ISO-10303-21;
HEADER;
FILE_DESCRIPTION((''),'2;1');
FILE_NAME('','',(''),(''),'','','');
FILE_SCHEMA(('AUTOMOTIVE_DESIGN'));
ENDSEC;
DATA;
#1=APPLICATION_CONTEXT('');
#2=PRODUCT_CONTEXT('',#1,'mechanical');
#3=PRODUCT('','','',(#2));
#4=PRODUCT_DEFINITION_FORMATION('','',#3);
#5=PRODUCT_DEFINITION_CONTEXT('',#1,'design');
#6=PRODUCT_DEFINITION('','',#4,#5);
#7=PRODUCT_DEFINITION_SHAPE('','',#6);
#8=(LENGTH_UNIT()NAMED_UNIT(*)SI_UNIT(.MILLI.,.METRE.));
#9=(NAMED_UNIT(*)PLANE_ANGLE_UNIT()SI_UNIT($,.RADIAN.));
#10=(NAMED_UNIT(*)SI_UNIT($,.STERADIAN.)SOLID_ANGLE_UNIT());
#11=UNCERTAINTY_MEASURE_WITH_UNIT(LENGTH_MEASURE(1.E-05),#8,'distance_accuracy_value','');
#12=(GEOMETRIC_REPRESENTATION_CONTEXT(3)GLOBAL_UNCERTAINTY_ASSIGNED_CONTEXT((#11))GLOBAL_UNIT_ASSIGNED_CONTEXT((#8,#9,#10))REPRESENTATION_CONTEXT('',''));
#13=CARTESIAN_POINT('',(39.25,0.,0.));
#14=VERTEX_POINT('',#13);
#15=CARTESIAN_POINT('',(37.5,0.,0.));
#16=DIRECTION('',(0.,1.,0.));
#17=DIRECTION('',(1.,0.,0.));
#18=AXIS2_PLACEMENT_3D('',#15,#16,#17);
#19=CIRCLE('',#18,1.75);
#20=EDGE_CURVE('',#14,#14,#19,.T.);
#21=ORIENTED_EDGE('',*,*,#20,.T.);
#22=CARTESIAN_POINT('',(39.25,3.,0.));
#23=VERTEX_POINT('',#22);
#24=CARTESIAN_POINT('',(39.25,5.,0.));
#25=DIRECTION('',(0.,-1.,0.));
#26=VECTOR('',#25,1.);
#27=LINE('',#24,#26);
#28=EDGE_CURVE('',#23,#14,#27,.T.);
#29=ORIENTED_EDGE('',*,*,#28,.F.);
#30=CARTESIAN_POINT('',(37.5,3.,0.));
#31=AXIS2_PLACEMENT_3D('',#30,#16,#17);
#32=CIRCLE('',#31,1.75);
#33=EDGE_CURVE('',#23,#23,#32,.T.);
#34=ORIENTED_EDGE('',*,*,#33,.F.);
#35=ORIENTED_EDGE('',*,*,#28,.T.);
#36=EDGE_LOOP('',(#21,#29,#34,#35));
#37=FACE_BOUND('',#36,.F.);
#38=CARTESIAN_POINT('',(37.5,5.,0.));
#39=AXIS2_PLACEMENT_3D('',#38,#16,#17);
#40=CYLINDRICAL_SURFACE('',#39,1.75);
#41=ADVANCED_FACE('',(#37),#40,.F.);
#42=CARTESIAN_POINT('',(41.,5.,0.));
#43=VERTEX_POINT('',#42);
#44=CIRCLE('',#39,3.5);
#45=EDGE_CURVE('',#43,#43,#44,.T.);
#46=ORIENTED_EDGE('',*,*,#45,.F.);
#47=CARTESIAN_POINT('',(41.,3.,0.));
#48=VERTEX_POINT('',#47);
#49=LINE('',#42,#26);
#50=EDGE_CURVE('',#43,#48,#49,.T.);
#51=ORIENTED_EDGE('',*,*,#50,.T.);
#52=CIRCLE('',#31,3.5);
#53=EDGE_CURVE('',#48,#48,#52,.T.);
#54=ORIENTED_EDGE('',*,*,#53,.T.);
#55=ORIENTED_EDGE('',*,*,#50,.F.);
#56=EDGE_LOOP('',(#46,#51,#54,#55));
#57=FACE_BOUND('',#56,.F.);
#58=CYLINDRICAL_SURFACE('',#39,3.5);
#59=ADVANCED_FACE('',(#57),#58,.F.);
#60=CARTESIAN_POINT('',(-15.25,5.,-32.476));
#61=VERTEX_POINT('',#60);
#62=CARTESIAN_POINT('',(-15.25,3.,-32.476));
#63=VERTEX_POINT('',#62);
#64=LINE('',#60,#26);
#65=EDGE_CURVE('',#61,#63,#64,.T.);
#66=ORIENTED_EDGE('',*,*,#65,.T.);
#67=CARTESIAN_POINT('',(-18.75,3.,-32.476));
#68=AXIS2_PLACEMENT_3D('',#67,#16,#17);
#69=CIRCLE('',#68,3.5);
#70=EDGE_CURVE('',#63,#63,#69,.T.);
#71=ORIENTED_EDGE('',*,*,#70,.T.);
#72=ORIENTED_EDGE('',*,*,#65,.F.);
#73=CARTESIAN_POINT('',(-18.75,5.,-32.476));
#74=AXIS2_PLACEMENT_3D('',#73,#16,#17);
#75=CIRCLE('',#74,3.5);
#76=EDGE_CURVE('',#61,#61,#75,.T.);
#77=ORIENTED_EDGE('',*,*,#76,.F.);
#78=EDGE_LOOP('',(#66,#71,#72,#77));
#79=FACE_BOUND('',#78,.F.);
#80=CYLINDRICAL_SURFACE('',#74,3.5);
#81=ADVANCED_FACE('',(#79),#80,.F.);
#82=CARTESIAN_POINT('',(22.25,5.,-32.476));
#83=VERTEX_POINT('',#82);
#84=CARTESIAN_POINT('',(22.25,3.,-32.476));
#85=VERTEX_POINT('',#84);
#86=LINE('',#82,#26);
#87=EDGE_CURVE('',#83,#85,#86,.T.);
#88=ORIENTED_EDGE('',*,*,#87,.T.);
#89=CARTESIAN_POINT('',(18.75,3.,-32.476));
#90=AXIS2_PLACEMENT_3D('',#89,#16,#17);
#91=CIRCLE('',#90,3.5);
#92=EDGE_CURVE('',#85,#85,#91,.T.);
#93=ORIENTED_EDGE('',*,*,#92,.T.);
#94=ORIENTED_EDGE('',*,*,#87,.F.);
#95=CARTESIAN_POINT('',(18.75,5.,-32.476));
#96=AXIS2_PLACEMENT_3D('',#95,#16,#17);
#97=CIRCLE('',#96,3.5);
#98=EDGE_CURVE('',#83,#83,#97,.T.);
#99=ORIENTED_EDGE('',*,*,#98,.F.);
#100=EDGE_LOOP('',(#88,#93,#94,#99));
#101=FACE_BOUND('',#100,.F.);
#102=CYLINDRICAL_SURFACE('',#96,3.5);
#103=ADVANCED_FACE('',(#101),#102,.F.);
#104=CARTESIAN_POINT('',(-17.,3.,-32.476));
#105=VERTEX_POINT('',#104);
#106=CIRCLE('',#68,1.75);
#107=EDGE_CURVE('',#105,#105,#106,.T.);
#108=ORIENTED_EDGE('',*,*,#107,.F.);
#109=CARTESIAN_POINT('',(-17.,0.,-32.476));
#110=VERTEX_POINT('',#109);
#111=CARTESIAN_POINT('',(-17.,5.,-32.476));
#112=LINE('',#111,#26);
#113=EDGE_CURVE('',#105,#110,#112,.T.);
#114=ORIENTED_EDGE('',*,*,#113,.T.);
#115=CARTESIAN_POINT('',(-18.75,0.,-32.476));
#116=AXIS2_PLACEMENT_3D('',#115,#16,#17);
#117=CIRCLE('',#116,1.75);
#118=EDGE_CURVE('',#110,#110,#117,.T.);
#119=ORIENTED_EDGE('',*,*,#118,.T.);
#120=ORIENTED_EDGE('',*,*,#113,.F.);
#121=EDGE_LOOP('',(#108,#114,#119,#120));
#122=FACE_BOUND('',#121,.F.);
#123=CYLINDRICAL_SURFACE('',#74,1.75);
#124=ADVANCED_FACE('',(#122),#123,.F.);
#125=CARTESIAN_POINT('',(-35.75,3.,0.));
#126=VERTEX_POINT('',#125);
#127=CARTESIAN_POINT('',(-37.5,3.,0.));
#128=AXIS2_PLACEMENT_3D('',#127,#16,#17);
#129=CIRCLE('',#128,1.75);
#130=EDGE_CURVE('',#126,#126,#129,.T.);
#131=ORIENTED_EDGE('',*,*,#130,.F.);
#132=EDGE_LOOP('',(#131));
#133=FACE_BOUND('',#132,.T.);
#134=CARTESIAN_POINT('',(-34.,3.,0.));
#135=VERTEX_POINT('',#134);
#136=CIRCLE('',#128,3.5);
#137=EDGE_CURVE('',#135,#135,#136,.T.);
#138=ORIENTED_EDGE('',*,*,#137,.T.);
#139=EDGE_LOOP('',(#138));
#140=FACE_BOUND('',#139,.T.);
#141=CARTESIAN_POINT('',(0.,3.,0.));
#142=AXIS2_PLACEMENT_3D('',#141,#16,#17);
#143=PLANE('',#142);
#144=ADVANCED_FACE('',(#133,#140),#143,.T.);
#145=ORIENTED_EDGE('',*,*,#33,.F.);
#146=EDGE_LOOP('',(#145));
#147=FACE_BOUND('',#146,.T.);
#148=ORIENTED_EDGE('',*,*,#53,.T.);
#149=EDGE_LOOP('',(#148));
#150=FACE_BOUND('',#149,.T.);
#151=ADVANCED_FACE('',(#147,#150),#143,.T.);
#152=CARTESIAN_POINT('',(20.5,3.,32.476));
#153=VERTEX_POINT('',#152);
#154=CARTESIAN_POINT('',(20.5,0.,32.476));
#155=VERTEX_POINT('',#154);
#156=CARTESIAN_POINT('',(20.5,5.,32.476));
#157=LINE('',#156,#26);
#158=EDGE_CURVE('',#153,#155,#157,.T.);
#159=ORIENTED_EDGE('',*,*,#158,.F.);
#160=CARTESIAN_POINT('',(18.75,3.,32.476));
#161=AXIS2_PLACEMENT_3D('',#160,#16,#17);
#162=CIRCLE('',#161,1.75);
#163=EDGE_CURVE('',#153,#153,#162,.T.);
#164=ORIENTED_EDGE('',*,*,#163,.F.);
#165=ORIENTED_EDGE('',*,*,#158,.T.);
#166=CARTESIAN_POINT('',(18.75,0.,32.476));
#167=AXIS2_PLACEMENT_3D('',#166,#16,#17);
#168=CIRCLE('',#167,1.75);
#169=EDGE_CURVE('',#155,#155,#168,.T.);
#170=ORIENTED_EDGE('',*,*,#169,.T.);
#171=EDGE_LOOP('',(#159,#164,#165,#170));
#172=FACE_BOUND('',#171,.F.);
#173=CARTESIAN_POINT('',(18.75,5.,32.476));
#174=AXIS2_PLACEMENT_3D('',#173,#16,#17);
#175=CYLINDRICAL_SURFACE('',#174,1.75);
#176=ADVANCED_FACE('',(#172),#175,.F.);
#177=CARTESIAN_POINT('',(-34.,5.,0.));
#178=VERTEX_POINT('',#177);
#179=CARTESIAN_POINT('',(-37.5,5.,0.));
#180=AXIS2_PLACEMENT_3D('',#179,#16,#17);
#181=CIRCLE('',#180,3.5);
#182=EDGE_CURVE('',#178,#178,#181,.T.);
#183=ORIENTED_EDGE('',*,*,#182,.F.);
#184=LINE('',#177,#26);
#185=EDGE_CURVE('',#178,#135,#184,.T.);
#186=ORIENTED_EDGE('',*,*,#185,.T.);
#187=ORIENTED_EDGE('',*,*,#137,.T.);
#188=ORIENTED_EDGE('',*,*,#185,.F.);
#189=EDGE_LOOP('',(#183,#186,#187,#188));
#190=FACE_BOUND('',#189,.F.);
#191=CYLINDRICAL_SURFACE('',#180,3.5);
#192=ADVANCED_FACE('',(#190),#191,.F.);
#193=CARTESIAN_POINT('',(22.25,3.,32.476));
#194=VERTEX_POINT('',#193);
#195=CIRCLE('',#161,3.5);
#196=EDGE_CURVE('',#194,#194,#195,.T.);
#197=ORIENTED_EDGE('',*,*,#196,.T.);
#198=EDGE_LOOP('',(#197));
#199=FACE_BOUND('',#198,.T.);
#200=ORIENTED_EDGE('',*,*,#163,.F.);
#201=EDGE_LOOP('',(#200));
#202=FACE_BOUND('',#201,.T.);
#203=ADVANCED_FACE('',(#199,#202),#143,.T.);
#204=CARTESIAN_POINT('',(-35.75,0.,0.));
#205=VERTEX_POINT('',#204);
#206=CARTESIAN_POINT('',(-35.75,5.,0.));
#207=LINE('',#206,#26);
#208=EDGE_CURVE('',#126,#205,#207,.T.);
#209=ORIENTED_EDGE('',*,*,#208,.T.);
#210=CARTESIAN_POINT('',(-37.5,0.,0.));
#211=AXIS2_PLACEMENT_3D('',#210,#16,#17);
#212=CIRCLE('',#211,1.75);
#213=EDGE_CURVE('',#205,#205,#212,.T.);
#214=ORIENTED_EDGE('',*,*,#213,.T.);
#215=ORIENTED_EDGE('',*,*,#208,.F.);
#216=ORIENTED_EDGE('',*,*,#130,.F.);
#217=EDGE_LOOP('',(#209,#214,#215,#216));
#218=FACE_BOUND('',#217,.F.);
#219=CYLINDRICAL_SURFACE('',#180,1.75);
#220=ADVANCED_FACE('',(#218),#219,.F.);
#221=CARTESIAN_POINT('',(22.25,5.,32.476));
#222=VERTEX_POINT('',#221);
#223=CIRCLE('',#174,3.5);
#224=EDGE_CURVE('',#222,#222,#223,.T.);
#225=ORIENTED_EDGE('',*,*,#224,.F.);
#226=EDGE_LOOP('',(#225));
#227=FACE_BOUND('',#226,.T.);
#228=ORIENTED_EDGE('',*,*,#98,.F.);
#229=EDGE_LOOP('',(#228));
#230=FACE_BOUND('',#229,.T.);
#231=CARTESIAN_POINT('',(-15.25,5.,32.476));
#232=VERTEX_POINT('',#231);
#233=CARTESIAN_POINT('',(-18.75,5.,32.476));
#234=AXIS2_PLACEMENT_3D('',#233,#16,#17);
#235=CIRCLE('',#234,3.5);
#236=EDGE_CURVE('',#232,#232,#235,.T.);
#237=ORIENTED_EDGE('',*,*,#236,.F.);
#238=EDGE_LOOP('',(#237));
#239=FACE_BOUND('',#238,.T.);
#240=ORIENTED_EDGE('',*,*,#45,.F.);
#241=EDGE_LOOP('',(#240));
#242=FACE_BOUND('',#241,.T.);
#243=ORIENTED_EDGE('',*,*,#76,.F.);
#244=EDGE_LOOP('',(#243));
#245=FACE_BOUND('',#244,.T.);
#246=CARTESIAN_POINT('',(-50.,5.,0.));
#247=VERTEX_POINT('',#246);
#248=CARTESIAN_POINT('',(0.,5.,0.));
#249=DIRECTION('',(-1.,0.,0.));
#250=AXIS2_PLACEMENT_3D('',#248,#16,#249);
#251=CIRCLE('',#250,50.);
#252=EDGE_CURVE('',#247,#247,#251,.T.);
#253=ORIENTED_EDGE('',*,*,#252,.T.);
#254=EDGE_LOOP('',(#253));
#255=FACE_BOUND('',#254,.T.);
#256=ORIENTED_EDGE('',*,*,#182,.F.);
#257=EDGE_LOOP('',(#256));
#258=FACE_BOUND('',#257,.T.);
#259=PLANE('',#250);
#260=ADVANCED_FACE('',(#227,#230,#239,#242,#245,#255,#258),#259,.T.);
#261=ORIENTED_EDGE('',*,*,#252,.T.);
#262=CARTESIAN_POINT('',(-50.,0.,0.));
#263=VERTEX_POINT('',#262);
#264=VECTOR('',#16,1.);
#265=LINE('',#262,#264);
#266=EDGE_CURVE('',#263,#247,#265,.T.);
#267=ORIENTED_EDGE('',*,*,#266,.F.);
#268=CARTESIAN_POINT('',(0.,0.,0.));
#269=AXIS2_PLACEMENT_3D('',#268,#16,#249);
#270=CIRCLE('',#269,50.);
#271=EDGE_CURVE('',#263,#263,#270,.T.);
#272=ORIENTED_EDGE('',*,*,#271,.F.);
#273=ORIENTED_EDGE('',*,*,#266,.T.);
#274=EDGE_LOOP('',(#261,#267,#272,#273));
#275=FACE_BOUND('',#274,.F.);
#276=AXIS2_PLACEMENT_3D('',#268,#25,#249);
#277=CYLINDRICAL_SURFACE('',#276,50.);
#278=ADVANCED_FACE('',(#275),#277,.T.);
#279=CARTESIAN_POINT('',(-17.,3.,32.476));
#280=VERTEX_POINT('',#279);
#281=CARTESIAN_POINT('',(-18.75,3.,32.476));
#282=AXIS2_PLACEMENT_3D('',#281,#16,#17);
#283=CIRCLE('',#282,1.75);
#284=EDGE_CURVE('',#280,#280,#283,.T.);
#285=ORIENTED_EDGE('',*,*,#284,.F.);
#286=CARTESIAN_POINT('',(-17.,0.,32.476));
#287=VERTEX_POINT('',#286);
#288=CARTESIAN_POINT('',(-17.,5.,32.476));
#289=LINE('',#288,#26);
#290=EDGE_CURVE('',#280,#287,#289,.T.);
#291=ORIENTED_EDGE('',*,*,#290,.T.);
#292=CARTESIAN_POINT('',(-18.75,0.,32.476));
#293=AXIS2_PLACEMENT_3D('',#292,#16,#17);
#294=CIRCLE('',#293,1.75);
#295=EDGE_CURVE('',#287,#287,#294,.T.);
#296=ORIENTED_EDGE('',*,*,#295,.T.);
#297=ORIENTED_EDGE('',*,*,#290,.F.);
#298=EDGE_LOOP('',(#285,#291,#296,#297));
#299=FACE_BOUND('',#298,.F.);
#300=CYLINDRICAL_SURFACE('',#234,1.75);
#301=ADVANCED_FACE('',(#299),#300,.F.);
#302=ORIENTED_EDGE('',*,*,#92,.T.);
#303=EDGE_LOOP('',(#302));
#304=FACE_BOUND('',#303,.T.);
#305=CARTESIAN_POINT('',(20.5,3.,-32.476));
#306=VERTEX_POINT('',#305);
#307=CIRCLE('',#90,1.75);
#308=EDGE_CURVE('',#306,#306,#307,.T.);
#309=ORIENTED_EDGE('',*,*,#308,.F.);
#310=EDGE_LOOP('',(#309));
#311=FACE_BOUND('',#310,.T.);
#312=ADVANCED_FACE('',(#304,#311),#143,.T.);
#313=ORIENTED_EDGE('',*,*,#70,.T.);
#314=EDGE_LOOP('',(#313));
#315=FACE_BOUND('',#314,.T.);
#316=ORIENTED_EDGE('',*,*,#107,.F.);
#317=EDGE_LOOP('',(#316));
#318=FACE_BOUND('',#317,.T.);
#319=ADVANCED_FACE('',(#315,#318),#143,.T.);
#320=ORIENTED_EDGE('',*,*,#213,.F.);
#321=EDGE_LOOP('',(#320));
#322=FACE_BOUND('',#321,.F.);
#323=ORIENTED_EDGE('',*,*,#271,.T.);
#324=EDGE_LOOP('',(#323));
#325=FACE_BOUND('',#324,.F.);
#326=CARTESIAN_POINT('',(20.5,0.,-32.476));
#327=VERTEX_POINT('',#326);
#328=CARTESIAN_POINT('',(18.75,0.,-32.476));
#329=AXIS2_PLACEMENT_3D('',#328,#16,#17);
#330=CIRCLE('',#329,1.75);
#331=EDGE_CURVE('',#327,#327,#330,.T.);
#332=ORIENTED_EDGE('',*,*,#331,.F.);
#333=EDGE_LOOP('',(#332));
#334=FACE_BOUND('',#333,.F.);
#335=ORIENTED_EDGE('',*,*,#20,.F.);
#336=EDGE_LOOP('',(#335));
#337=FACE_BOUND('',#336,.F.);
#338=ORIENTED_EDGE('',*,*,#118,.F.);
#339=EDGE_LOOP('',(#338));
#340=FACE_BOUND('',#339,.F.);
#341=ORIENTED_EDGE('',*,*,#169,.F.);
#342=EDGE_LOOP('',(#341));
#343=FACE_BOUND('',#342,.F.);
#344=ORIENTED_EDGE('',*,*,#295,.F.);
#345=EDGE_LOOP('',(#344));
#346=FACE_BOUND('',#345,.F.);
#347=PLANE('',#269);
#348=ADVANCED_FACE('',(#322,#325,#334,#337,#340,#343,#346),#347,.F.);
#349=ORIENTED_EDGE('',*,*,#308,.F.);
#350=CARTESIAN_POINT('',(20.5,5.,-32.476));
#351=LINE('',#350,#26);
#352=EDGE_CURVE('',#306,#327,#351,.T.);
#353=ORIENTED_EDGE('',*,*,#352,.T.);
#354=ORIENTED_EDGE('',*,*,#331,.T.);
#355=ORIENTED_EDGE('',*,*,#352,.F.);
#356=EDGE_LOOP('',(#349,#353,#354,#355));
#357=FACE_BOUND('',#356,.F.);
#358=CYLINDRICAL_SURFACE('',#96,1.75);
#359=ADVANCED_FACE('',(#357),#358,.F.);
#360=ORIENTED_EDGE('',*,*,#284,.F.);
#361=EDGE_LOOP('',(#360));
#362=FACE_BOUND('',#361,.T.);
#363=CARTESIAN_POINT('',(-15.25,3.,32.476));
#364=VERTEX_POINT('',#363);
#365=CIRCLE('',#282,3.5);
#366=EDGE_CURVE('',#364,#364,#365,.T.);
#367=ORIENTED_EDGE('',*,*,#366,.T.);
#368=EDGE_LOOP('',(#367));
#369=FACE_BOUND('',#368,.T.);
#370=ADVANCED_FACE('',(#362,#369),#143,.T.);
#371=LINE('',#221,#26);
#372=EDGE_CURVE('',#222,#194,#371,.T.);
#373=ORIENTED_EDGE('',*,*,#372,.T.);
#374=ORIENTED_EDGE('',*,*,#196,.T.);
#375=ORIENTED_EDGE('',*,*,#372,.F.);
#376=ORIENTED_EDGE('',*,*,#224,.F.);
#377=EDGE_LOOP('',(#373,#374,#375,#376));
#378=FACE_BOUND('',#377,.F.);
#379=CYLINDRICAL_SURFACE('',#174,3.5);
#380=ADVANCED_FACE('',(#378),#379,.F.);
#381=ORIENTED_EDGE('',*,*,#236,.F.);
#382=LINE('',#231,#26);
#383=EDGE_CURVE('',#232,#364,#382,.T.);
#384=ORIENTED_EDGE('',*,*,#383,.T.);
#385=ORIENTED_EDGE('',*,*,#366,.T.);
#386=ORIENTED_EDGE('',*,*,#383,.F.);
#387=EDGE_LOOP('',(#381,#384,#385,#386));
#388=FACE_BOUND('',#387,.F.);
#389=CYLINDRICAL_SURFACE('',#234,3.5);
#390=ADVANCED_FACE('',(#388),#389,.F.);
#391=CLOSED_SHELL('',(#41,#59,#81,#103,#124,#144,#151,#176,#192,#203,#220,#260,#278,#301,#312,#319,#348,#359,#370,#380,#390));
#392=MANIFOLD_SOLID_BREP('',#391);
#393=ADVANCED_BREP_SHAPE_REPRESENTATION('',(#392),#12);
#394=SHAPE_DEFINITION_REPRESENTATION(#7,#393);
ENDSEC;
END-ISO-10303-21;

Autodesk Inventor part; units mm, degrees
ref_plane "YZ Plane" through (0, 0, 0) normal (1, 0, 0) x (0, 1, 0)
ref_plane "XZ Plane" through (0, 0, 0) normal (0, 1, 0) x (-1, 0, 0)
ref_plane "XY Plane" through (0, 0, 0) normal (0, 0, 1) x (1, 0, 0)
sketch "Boceto1" plane through (0, 0, 0) normal (0, 1, 0) x (-1, 0, 0)
  circle A0 centre (0, 0) radius 50
  dimension "d0" = 100
extrude "Extrusión1" add sketch "Boceto1" along normal blind 5
sketch "Boceto2" plane through (0, 5, 0) normal (0, 1, 0) x (1, 0, 0)
  circle A0 centre (0, 0) radius 37.5 construction
  line L0 (-37.5, 0) -> (-18.75, 32.476) construction
  line L1 (-18.75, 32.476) -> (18.75, 32.476) construction
  line L2 (18.75, 32.476) -> (37.5, 0) construction
  line L3 (37.5, 0) -> (18.75, -32.476) construction
  line L4 (18.75, -32.476) -> (-18.75, -32.476) construction
  line L5 (-18.75, -32.476) -> (-37.5, 0) construction
  circle A1 centre (-18.75, -32.476) radius 3.5
  circle A2 centre (-37.5, 0) radius 3.5
  circle A3 centre (-18.75, 32.476) radius 3.5
  circle A4 centre (18.75, 32.476) radius 3.5
  circle A5 centre (37.5, 0) radius 3.5
  circle A6 centre (18.75, -32.476) radius 3.5
  dimension "d3" = 75
  dimension "d4" = 7
  dimension "d5" = 7
  dimension "d6" = 7
  dimension "d7" = 7
  dimension "d8" = 7
  dimension "d9" = 7
extrude "Extrusión2" cut sketch "Boceto2" against normal blind 2
sketch "Boceto3" plane through (0, 5, 0) normal (0, 1, 0) x (1, 0, 0)
  circle A0 centre (0, 0) radius 37.5 construction
  circle A1 centre (37.5, 0) radius 3.5 projected
  line L0 (37.5, 0) -> (18.75, -32.476) construction
  line L1 (18.75, -32.476) -> (-18.75, -32.476) construction
  line L2 (-18.75, -32.476) -> (-37.5, 0) construction
  line L3 (-37.5, 0) -> (-18.75, 32.476) construction
  line L4 (-18.75, 32.476) -> (18.75, 32.476) construction
  line L5 (18.75, 32.476) -> (37.5, 0) construction
  circle A2 centre (-37.5, 0) radius 1.75
  circle A3 centre (-18.75, -32.476) radius 1.75
  circle A4 centre (18.75, -32.476) radius 1.75
  circle A5 centre (37.5, 0) radius 1.75
  circle A6 centre (18.75, 32.476) radius 1.75
  circle A7 centre (-18.75, 32.476) radius 1.75
  dimension "d12" = 75
  dimension "d13" = 3.5
  dimension "d14" = 3.5
  dimension "d15" = 3.5
  dimension "d16" = 3.5
  dimension "d17" = 3.5
  dimension "d18" = 3.5
extrude "Extrusión3" cut sketch "Boceto3" along normal mid plane 10 contours A2 | A3 | A4 | A5 | A6 | A7
